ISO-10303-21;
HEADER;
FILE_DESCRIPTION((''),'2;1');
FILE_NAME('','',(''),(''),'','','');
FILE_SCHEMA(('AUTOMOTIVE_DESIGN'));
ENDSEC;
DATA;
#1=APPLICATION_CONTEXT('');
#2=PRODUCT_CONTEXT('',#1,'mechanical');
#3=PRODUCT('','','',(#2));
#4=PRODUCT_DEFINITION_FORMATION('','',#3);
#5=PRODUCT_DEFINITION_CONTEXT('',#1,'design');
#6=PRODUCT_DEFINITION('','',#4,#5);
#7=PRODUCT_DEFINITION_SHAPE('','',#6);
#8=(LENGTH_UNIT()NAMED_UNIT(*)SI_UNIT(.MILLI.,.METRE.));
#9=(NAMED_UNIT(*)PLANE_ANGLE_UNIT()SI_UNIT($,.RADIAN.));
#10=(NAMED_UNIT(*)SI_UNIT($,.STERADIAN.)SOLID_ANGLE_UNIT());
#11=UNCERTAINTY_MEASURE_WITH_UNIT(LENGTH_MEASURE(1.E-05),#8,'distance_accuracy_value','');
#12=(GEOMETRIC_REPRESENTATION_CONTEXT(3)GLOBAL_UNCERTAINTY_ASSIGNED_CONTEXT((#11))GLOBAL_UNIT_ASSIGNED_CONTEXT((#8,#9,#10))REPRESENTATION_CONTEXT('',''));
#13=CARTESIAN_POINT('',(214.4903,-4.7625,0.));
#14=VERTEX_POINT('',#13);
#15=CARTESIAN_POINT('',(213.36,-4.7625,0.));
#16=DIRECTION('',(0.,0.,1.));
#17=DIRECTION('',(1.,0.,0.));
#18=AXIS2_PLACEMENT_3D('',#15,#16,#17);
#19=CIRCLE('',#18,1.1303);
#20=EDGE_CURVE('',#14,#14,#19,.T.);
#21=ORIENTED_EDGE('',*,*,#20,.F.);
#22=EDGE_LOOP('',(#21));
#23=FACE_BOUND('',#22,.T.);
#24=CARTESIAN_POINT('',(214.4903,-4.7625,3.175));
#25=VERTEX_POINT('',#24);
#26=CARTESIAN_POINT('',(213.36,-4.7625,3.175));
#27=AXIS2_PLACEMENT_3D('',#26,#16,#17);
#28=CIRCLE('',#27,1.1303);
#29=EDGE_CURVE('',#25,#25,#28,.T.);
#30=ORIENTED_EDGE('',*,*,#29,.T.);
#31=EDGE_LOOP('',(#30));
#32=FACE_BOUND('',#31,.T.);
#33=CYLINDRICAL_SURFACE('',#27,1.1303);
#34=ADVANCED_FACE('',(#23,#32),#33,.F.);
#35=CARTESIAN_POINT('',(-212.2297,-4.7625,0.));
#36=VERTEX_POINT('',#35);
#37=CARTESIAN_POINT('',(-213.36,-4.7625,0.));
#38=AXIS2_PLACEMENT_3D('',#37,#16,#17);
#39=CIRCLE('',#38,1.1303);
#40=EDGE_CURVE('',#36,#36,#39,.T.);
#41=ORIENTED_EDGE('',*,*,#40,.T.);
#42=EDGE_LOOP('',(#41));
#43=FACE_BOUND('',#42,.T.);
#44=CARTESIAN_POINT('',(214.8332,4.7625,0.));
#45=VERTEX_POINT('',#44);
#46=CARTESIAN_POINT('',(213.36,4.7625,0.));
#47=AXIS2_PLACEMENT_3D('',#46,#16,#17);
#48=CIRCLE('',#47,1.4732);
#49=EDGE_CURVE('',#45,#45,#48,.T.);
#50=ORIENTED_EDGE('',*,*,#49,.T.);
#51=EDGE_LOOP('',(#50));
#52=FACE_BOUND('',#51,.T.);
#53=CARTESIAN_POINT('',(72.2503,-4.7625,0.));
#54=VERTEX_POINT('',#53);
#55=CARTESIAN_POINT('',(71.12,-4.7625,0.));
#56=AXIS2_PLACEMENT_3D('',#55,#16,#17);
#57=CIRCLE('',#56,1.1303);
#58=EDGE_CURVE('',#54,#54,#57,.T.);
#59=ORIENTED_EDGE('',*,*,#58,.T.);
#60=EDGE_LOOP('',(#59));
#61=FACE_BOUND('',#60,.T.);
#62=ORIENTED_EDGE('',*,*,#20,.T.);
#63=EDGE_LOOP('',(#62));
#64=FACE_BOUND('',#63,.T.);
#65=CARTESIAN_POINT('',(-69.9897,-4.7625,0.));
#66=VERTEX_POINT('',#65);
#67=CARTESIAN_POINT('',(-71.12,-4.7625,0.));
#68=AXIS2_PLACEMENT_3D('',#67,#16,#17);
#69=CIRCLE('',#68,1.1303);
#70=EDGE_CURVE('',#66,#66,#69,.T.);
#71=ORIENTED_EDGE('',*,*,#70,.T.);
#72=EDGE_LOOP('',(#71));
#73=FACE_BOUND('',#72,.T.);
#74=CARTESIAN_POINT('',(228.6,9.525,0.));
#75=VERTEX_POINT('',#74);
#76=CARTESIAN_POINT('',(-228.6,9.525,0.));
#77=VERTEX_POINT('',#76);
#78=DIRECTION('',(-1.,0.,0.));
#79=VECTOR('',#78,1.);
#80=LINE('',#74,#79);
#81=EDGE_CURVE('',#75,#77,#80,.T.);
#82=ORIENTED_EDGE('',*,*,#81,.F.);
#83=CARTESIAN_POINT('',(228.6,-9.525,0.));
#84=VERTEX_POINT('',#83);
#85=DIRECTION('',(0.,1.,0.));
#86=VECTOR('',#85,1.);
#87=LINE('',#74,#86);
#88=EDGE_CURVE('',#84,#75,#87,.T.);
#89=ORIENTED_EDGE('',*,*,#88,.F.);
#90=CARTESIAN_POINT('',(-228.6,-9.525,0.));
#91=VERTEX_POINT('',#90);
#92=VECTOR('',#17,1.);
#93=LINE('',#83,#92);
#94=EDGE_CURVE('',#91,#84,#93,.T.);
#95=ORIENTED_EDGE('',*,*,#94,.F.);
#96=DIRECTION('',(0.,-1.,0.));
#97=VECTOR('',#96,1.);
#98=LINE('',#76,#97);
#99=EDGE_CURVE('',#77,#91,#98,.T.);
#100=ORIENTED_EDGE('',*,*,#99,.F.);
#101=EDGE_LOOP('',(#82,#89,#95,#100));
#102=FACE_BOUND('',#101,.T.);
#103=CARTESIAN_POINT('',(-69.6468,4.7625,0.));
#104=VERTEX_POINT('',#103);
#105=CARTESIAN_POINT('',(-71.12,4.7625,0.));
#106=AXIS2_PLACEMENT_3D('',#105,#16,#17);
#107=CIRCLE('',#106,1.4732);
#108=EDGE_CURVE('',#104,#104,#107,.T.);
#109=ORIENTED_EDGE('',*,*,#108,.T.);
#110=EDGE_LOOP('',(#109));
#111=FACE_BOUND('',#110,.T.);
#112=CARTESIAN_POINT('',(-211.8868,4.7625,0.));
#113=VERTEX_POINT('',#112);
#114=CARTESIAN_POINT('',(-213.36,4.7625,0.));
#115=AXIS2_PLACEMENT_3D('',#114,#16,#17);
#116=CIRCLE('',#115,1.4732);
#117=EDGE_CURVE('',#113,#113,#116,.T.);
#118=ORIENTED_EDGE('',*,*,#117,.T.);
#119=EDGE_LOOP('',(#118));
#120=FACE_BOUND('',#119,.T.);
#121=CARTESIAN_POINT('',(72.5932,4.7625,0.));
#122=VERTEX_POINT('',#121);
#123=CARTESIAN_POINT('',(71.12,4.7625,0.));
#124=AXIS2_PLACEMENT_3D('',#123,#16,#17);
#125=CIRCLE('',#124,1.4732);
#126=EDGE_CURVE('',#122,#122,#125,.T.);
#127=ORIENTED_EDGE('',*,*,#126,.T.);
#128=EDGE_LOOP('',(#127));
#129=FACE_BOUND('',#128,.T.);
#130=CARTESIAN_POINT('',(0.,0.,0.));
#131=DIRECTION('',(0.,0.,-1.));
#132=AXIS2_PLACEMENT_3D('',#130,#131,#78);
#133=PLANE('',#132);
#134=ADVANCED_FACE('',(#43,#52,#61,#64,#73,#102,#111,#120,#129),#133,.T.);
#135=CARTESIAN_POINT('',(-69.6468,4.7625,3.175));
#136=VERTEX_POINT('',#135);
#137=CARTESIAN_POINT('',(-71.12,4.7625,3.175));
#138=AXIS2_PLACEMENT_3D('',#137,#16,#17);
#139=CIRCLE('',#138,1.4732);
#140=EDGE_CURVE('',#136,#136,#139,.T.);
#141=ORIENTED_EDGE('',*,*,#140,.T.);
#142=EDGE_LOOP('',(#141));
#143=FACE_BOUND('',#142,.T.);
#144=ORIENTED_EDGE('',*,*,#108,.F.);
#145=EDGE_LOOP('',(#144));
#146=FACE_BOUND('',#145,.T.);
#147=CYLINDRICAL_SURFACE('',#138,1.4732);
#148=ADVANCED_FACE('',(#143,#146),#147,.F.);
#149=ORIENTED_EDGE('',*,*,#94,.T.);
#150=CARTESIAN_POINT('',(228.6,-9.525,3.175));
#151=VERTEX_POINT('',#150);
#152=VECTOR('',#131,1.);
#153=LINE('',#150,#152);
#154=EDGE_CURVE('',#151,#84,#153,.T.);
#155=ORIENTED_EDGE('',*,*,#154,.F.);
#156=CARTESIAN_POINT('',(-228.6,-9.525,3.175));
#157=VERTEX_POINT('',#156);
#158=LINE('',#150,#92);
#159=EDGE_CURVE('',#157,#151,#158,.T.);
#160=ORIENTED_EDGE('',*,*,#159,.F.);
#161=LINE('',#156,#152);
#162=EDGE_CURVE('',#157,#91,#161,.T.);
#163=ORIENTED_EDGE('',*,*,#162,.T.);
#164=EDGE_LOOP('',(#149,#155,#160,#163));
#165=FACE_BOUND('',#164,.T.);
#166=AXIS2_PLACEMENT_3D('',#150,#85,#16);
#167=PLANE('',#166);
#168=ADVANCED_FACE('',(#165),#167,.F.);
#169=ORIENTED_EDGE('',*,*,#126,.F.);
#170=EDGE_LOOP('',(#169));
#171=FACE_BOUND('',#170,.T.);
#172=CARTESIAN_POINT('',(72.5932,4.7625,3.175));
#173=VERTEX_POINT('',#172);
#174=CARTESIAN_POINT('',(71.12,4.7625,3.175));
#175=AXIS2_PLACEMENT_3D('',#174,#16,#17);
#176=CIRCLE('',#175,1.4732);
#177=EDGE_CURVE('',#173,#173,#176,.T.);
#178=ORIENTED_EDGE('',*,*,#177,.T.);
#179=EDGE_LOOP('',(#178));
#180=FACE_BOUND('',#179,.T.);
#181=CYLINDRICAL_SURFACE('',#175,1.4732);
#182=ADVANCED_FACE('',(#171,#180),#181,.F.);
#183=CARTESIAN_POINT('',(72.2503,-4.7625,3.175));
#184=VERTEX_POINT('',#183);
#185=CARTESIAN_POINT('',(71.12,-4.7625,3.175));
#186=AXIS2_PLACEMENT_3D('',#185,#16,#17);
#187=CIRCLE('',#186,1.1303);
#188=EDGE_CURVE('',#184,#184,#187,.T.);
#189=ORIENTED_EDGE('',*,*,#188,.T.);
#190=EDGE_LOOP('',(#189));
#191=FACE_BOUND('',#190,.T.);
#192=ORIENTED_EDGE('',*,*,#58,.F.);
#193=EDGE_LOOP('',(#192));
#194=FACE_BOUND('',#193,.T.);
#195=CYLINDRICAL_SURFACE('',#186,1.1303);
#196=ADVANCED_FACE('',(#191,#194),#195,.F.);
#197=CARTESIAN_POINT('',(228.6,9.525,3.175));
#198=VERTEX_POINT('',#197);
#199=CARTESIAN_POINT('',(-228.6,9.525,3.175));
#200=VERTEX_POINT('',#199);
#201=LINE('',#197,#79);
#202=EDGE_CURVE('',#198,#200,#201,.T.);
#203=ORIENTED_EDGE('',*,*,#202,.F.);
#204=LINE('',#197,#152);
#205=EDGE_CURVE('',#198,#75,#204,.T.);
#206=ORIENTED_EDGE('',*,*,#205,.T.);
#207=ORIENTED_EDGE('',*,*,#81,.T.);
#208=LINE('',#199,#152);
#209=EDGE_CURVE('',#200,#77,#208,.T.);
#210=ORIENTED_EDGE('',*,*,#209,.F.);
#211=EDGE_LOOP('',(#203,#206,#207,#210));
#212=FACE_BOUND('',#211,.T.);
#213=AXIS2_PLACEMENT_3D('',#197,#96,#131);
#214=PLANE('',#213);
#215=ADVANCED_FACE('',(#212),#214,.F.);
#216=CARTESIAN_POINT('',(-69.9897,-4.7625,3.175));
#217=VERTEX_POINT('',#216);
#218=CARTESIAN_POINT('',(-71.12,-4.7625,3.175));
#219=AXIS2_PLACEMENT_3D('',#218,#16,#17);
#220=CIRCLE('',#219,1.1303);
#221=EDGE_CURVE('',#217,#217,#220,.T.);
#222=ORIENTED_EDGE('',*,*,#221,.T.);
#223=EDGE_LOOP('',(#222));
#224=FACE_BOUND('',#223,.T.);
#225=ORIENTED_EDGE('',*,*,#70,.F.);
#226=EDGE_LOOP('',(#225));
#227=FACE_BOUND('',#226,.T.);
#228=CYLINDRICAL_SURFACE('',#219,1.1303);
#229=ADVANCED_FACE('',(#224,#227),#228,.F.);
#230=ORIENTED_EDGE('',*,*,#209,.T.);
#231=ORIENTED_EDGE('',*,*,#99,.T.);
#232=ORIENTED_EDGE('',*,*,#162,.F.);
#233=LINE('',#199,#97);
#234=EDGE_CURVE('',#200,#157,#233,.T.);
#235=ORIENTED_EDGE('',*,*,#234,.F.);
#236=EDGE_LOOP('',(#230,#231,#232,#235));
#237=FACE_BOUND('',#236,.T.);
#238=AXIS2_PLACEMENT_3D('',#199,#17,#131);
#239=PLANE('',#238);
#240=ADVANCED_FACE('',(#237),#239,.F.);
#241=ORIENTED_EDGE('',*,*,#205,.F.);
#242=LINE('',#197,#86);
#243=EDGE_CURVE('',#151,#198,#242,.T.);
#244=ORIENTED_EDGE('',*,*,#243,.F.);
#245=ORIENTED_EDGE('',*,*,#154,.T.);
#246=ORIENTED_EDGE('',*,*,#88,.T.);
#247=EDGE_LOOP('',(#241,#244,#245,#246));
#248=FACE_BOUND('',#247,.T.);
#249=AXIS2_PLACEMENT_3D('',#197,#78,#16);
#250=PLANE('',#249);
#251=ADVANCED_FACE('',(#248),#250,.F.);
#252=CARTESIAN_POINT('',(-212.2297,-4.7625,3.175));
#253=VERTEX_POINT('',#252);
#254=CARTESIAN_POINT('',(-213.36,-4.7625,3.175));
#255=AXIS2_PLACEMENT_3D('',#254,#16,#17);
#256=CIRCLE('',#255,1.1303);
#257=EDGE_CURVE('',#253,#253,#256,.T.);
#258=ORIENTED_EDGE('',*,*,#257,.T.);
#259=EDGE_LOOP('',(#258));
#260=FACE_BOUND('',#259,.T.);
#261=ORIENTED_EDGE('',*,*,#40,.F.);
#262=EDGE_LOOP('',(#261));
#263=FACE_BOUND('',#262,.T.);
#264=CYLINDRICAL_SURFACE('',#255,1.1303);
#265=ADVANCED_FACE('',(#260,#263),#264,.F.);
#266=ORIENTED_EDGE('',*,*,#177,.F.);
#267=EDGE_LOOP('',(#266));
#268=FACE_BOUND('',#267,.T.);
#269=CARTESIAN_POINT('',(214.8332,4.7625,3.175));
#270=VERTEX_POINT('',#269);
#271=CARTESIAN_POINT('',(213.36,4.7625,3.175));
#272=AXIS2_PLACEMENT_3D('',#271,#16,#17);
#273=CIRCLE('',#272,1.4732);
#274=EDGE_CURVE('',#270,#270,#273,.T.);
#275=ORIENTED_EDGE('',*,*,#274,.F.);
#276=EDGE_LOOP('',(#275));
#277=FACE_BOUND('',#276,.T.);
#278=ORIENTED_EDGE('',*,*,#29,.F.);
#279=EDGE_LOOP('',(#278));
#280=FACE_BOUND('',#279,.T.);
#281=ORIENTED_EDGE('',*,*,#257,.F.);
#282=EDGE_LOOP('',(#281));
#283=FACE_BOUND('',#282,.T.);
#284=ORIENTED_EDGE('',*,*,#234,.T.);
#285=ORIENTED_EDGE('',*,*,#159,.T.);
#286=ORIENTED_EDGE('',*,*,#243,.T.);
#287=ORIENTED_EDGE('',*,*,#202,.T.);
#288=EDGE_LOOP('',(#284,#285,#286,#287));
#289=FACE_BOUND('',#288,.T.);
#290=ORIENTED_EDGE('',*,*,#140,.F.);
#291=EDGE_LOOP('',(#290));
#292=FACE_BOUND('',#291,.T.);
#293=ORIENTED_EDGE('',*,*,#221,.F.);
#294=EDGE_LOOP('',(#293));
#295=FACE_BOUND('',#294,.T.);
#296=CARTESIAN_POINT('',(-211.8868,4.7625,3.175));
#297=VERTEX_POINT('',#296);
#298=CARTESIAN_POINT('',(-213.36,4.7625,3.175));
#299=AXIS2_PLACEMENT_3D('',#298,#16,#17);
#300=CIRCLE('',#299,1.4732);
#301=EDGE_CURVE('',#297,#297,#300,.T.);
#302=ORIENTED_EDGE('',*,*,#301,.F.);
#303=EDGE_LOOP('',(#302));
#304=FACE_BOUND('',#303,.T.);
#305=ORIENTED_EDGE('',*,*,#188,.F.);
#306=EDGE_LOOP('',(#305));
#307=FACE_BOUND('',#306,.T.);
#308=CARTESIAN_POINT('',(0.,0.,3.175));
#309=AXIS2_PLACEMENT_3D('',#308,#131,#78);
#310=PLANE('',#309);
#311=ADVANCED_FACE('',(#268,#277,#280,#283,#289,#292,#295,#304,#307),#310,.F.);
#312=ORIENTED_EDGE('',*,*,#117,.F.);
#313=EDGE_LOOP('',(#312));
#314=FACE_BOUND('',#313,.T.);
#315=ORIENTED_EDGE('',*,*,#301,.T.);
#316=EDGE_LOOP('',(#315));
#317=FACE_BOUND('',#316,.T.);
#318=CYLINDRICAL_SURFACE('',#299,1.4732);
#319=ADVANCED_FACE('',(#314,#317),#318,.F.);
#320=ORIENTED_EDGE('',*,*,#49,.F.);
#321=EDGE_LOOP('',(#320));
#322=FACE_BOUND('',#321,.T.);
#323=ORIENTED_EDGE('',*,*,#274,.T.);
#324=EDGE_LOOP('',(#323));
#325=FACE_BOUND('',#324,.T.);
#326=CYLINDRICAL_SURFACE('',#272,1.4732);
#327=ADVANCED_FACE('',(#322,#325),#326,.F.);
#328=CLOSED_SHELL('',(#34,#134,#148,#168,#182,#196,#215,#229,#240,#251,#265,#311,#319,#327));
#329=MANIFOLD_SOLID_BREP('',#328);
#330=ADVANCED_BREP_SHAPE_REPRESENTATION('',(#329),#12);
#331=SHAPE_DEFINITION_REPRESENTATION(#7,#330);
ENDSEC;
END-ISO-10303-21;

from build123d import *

# Parameters (mm, degrees)
SKETCH1_W             = 457.2
SKETCH1_H             = 19.05
BOSS_EXTRUDE1_DEPTH   = 3.175
F_4_CLEARANCE_HOLE1_D = 2.9464
F_4_40_TAPPED_HOLE1_D = 2.2606


with BuildPart() as part:
    # Sketch1 → Boss-Extrude1 (new body)
    with BuildSketch(Plane.XY):
        Rectangle(SKETCH1_W, SKETCH1_H)
    extrude(amount=BOSS_EXTRUDE1_DEPTH)

    # #4 Clearance Hole1 (through all)
    with Locations(Plane.XY.offset(3.175)):
        with Locations((-213.36, 4.7625), (-71.12, 4.7625), (71.12, 4.7625), (213.36, 4.7625)):
            Hole(F_4_CLEARANCE_HOLE1_D / 2)

    # #4-40 Tapped Hole1 (through all)
    with Locations(Plane.XY.offset(3.175)):
        with Locations((-213.36, -4.7625), (-71.12, -4.7625), (71.12, -4.7625), (213.36, -4.7625)):
            Hole(F_4_40_TAPPED_HOLE1_D / 2)


solid = part.part
